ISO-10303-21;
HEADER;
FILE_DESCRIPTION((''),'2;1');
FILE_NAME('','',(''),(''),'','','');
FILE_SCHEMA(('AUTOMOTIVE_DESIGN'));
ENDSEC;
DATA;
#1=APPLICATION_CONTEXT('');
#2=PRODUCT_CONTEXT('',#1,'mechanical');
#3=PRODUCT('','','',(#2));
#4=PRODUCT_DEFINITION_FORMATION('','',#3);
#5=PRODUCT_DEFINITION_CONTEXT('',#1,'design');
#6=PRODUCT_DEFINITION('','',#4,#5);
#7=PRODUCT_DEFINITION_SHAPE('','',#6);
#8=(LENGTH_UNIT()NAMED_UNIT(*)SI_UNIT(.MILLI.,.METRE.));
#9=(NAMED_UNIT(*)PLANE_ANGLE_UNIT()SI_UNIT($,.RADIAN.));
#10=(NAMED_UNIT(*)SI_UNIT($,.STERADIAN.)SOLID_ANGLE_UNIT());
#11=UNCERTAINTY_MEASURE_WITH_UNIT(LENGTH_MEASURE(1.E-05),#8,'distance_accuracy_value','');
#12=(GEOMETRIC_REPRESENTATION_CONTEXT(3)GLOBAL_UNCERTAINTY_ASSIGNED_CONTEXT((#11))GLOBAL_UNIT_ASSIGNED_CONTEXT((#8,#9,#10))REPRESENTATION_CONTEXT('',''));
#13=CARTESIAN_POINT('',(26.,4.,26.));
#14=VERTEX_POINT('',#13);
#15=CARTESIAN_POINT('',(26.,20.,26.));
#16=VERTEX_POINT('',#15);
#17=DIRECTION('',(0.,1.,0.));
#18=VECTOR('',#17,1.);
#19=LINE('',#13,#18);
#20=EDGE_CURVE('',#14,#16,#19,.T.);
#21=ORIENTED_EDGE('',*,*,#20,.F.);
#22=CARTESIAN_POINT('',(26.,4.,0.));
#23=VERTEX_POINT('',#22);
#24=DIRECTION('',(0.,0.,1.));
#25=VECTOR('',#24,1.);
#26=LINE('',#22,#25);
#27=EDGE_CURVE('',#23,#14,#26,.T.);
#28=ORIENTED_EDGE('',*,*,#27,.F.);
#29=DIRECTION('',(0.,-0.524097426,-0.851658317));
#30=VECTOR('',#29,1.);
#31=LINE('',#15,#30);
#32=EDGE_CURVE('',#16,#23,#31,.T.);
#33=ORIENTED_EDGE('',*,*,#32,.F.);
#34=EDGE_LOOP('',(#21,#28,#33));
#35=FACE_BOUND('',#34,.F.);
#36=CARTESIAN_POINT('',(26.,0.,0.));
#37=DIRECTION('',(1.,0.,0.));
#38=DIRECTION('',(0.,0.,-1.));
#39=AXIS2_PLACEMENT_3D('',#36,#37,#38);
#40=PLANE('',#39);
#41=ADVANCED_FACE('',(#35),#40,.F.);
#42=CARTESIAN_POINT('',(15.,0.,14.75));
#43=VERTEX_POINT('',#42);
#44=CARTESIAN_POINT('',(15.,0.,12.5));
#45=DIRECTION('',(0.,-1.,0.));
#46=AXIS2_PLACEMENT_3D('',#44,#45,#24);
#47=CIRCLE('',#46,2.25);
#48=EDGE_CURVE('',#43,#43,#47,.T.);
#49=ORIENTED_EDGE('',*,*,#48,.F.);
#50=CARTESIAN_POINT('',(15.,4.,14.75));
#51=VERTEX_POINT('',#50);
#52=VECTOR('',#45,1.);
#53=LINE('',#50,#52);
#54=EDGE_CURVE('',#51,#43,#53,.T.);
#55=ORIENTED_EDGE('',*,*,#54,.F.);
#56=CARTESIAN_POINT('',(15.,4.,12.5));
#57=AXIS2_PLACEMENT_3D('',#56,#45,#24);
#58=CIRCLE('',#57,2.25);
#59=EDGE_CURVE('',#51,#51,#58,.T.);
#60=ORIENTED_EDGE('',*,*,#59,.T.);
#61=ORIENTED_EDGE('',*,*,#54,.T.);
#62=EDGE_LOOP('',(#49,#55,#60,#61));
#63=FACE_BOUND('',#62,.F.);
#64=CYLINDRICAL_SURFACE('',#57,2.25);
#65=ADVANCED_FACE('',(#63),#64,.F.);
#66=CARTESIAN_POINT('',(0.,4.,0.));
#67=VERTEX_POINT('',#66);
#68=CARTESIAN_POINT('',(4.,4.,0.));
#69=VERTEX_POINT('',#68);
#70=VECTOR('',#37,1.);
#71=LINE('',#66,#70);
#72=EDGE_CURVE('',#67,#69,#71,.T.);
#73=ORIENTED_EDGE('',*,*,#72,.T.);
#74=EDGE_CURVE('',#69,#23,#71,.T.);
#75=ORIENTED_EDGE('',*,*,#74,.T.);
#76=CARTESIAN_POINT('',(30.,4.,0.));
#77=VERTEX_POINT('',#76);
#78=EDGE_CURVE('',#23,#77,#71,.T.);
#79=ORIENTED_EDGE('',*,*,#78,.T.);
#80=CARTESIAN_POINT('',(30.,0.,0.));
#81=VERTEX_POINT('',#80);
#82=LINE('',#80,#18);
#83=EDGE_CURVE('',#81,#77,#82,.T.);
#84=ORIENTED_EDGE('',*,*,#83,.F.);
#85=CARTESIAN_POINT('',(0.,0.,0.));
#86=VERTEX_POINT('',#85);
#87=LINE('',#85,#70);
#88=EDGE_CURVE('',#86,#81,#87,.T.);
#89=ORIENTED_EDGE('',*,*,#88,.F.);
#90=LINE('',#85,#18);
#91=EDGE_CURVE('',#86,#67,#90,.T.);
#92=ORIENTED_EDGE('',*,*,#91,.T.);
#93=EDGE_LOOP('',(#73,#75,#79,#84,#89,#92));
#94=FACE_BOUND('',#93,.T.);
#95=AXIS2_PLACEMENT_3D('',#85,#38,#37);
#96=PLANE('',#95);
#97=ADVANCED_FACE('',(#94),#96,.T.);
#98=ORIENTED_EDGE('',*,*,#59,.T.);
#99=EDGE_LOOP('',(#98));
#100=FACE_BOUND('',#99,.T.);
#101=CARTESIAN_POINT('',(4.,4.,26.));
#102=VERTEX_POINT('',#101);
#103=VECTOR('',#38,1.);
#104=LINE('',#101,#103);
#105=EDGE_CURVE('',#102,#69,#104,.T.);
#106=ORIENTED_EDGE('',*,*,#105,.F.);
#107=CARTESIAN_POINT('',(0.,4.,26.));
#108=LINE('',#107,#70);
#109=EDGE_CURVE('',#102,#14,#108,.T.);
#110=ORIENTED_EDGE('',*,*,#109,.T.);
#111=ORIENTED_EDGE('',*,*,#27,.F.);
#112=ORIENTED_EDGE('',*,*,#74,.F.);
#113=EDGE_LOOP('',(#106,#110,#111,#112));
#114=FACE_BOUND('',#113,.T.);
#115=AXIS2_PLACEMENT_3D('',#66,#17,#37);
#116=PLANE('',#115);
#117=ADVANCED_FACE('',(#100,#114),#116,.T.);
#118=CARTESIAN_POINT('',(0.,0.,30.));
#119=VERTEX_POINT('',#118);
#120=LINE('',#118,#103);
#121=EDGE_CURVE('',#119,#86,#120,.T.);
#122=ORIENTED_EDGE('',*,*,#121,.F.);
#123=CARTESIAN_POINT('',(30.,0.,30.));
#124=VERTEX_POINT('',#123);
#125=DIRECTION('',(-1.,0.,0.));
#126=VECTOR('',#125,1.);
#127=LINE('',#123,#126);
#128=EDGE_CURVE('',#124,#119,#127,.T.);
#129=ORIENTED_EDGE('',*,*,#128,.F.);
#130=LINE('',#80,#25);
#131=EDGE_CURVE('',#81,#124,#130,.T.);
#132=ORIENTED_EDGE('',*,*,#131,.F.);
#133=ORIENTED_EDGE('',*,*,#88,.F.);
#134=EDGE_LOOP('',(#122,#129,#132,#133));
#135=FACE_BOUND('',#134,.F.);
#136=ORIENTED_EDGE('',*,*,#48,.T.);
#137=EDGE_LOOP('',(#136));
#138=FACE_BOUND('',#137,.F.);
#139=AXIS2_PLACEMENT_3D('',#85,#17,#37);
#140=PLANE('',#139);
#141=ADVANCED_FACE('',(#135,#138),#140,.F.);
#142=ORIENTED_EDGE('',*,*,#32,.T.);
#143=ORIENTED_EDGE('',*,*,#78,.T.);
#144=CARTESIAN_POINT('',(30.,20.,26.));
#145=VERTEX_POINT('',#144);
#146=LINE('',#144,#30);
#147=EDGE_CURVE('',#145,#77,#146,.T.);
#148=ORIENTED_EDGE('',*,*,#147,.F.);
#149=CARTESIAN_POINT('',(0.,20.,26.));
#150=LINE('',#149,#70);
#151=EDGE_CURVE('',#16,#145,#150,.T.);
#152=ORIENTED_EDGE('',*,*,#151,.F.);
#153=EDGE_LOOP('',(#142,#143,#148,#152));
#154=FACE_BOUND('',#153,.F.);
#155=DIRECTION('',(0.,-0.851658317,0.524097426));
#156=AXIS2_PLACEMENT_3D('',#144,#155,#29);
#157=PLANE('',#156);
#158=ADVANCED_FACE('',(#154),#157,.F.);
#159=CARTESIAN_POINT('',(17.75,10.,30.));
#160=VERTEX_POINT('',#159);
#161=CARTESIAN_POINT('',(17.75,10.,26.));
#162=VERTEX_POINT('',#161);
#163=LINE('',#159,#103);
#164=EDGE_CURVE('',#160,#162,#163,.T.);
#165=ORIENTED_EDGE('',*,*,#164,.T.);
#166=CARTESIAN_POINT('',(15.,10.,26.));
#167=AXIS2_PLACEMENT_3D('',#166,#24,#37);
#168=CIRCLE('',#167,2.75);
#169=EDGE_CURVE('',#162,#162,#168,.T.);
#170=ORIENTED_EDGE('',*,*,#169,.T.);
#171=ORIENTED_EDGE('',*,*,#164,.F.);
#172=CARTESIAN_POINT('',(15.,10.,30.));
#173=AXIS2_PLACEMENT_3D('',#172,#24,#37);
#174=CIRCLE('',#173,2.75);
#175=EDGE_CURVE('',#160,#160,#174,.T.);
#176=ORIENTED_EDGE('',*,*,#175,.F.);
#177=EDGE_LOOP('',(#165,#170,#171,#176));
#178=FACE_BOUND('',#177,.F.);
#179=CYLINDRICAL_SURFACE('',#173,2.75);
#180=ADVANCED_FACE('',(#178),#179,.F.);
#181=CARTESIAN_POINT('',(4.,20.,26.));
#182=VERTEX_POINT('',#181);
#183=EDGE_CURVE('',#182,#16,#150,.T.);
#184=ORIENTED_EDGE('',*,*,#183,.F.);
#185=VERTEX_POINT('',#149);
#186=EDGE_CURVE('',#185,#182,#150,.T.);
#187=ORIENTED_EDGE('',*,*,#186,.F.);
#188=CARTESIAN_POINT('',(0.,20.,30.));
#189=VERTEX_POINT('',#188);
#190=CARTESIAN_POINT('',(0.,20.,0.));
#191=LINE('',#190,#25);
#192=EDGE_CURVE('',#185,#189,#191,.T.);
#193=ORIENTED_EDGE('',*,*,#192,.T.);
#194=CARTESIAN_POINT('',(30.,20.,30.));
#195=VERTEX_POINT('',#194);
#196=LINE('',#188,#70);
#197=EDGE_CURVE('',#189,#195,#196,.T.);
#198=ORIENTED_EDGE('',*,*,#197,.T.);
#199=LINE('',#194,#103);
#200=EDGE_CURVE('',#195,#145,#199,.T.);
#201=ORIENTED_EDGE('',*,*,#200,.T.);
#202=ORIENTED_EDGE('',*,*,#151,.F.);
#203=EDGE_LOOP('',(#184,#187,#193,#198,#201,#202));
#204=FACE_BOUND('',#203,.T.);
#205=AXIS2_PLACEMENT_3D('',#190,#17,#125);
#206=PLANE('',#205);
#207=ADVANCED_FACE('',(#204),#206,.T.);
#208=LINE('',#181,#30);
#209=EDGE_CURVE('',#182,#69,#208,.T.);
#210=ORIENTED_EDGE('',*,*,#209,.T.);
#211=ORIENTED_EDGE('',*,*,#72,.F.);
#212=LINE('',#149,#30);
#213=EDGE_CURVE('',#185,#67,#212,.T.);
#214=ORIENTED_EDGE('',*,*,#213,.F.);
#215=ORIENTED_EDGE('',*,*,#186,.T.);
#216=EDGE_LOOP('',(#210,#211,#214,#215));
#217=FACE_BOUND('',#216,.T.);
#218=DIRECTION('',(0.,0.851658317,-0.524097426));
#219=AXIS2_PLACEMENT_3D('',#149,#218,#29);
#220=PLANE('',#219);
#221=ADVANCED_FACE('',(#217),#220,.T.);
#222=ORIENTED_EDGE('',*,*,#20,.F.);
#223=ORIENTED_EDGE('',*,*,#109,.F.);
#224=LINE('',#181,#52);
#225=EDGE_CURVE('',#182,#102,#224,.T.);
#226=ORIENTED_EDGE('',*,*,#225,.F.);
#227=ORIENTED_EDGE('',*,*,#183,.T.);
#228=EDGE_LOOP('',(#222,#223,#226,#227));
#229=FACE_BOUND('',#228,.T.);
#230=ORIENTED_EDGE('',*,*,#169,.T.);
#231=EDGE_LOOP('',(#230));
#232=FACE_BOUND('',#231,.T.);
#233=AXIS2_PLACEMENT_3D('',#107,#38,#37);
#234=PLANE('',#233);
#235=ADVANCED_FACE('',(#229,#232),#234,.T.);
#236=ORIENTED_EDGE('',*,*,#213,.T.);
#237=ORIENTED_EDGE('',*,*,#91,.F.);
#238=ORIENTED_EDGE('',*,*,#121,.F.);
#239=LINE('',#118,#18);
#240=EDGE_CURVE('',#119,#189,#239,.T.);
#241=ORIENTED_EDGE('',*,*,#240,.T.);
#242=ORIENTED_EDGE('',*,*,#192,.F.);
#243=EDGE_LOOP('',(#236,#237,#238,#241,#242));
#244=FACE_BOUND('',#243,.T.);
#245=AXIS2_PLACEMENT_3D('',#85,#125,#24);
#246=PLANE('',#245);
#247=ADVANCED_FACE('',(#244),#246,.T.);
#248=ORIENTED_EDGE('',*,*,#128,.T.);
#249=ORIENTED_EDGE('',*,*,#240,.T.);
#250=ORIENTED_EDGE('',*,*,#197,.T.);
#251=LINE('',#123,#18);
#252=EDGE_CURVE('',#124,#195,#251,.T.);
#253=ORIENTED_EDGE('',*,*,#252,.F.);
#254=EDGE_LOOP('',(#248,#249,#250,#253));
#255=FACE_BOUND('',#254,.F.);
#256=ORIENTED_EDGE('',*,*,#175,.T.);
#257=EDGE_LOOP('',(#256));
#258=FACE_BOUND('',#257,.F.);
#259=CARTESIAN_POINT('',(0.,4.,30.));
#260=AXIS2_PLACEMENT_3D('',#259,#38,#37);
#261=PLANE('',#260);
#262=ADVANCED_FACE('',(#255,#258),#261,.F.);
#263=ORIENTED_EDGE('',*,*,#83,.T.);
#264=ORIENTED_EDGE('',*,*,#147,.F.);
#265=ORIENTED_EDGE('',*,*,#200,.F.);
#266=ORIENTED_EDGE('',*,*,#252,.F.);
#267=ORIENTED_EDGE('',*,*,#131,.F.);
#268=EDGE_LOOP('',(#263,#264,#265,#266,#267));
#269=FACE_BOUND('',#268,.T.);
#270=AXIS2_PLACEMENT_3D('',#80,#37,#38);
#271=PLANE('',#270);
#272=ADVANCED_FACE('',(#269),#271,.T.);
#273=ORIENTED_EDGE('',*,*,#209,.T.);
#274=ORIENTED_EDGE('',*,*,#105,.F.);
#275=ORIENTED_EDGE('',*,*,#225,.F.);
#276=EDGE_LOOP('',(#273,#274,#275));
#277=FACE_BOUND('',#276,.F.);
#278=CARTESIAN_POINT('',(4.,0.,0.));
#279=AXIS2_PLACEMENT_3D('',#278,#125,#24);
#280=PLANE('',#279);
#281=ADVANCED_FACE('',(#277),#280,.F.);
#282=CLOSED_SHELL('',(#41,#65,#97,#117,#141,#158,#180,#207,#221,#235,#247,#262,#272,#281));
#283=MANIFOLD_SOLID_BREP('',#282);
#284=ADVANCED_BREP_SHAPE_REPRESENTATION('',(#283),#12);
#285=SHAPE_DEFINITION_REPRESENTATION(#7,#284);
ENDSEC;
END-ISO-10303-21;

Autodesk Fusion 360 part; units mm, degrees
sketch "Sketch1" plane through (0, 0, 0) normal (0, 1, 0) x (1, 0, 0)
  line L0 (0, 0) -> (30, 0)
  line L1 (30, 0) -> (30, -30)
  line L2 (30, -30) -> (0, -30)
  line L3 (0, -30) -> (0, 0)
  dimension "d1" = 30
  dimension "d2" = 30
extrude "Extrude1" add sketch "Sketch1" along normal blind 4
sketch "Sketch2" plane through (0, 4, 0) normal (0, 1, 0) x (-1, 0, 0)
  line L0 (0, 30) -> (-30, 30)
  line L1 (-30, 30) -> (-30, 0)
  line L2 (-30, 0) -> (0, 0)
  line L3 (0, 0) -> (0, 30)
  circle A0 centre (-15, 12.5) radius 2.25
  line L4 (0, 26) -> (-30, 26)
  dimension "d5" = 4.5
  dimension "d6" = 12.5
  dimension "d7" = 15
  dimension "d23" = 4
hole "Hole1" at (15, 4, 12.5) direction (0, -1, 0) diameter 4.5 end through all
extrude "Extrude6" add sketch "Sketch2" along normal blind 16 contours L0 L1 L3 L4
sketch "Sketch7" plane through (0, 0, 30) normal (0, 0, 1) x (1, 0, 0)
  line L0 (0, 0) -> (30, 0)
  line L1 (30, 0) -> (30, 20)
  line L2 (30, 20) -> (0, 20)
  line L3 (0, 20) -> (0, 0)
  circle A0 centre (15, 10) radius 2.75
  dimension "d26" = 5.5
  dimension "d27" = 10
extrude "Extrude7" cut sketch "Sketch7" against normal through all contours A0
sketch "Sketch8" plane through (0, 0, 0) normal (-1, 0, 0) x (0, 0, 1)
  line L0 (0, 0) -> (30, 0)
  line L1 (30, 0) -> (30, 20)
  line L2 (30, 20) -> (26, 20)
  line L3 (26, 20) -> (26, 4)
  line L4 (26, 4) -> (0, 4)
  line L5 (0, 4) -> (0, 0)
  line L6 (26, 20) -> (0, 4)
extrude "Extrude8" add sketch "Sketch8" against normal blind 4 contours L3 L4 L6
sketch "Sketch9" plane through (30, 0, 0) normal (1, 0, 0) x (0, 0, -1)
  line L0 (-30, 0) -> (0, 0)
  line L1 (0, 0) -> (0, 4)
  line L2 (0, 4) -> (-26, 4)
  line L3 (-26, 4) -> (-26, 20)
  line L4 (-26, 20) -> (-30, 20)
  line L5 (-30, 20) -> (-30, 0)
  line L6 (-26, 20) -> (0, 4)
extrude "Extrude9" add sketch "Sketch9" against normal blind 4 contours L2 L3 L6
